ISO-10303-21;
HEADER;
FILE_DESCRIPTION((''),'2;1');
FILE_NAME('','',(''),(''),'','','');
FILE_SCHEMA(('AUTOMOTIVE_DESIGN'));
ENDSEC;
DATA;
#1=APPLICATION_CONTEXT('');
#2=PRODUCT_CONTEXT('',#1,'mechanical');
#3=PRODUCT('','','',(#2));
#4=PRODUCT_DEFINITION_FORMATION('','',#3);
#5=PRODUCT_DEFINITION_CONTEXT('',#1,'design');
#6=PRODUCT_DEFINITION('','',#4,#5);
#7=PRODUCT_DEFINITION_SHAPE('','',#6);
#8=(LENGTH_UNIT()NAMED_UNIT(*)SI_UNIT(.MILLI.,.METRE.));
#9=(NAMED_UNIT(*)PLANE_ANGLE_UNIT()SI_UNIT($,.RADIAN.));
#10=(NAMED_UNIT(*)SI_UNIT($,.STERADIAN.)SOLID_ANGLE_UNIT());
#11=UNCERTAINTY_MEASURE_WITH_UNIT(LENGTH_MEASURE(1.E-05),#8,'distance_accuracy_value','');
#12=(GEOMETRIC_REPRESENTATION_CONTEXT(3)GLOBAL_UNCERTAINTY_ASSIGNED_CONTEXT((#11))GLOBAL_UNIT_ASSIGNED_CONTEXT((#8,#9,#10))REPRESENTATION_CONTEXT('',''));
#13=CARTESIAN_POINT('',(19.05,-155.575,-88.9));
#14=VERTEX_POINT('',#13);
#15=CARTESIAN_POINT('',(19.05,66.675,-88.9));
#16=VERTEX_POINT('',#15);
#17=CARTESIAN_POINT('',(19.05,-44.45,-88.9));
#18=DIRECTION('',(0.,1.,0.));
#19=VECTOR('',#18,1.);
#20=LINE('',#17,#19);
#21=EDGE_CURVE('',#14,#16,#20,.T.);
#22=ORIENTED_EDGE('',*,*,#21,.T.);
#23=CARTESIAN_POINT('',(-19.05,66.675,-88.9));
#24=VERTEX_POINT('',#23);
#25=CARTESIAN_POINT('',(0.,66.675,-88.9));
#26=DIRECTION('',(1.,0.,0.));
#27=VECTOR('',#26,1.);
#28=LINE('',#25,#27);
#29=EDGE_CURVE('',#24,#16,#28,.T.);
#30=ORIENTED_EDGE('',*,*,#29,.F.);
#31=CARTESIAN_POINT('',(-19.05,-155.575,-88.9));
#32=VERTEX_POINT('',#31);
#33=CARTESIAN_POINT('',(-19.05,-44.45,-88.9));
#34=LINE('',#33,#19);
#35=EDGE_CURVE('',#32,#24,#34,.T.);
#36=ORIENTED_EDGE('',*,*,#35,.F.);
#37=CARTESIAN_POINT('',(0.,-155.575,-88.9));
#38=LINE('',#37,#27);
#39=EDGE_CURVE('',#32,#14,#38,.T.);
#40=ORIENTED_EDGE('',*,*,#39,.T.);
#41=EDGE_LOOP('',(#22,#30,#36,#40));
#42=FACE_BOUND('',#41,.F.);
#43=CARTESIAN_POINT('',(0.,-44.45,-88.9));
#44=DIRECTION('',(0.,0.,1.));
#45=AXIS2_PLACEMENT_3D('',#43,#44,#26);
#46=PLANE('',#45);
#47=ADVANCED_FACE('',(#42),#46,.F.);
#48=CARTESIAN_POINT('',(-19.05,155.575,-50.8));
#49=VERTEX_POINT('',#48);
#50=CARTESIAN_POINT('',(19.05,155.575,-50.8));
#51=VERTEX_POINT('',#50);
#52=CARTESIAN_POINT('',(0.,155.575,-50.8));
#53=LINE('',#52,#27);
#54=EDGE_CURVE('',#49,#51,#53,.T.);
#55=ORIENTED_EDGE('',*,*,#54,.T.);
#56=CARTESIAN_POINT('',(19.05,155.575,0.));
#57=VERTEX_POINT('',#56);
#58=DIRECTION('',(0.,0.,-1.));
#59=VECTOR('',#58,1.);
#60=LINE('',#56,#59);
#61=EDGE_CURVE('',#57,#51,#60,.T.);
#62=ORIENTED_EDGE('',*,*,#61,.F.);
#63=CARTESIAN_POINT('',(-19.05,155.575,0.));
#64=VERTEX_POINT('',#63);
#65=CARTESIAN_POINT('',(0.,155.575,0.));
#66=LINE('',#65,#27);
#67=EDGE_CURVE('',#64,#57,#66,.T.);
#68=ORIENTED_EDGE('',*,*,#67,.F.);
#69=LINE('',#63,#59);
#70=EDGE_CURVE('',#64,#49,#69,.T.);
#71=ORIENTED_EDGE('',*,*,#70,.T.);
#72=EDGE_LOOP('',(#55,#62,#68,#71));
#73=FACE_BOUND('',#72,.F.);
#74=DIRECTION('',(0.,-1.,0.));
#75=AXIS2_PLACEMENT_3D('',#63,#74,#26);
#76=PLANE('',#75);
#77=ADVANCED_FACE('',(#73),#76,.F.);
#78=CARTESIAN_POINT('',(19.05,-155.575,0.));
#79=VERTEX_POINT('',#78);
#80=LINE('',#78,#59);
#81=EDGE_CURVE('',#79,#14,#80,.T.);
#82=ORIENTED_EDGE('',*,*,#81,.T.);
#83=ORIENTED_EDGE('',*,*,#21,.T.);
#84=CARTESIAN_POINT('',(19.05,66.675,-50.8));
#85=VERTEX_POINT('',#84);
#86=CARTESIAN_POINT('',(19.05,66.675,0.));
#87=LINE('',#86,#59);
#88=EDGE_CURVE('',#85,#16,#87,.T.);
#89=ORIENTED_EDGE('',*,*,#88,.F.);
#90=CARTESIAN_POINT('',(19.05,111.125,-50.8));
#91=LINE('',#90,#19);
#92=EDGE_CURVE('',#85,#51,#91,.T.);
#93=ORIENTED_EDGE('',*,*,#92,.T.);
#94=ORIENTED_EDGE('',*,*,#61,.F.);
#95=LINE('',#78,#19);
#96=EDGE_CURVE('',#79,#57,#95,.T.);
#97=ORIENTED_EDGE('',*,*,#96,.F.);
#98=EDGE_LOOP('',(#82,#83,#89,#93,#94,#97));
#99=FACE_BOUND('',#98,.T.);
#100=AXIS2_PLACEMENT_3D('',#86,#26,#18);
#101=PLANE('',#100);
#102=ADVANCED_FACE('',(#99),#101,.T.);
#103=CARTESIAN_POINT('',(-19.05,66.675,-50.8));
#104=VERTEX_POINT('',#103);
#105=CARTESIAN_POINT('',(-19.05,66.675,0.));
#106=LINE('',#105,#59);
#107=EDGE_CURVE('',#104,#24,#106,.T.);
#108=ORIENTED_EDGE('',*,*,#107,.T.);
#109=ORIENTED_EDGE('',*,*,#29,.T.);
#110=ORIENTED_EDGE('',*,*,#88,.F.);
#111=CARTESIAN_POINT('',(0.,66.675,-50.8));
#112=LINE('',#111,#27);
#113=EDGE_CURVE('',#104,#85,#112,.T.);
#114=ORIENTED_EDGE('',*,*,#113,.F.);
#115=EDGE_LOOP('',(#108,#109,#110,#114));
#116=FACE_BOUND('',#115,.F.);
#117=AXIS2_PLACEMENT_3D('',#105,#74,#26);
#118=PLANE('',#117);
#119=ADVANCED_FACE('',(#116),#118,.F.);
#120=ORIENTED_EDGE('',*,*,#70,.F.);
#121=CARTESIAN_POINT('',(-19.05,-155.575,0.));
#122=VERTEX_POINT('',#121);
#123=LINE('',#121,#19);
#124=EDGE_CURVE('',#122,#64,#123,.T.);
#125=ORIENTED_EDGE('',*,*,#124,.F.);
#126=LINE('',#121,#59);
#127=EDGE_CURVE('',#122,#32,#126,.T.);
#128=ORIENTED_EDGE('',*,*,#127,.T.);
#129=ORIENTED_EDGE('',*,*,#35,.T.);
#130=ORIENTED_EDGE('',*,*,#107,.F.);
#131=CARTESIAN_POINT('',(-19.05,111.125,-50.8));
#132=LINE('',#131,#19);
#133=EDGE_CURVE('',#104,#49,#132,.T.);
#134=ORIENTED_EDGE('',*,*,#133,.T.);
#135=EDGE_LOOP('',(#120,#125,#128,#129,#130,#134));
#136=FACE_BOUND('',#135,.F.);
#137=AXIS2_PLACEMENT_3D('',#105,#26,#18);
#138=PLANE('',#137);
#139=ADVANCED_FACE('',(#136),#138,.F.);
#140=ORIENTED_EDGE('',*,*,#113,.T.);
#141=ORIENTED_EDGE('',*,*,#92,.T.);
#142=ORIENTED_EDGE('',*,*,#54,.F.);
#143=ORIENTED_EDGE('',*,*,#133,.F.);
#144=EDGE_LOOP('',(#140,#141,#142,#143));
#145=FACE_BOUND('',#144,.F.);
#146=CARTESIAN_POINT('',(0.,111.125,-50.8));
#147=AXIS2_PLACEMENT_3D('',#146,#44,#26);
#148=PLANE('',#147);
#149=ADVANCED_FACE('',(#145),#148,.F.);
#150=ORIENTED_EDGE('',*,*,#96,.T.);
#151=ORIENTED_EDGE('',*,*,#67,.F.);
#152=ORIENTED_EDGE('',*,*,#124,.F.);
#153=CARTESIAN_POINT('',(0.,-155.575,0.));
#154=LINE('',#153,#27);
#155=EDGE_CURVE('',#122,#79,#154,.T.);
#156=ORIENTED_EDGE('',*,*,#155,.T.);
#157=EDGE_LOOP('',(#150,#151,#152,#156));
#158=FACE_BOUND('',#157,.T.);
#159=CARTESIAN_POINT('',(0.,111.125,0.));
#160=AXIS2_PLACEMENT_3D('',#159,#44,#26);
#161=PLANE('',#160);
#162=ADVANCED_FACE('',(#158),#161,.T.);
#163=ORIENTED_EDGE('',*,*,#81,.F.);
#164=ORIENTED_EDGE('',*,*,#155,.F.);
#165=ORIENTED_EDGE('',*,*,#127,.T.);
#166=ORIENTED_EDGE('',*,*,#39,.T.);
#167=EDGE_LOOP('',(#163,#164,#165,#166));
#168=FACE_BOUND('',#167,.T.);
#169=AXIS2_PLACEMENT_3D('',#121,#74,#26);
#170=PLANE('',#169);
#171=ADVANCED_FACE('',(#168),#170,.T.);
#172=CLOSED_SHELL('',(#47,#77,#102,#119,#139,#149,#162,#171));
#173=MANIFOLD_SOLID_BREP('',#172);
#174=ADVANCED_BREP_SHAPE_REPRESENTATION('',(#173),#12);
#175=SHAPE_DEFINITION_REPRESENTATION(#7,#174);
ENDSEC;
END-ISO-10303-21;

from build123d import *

# Parameters (mm, degrees)
F0_W     = 38.1
F0_H     = 222.25
F1_DEPTH = 88.9
F0_H_2   = 88.9
F2_DEPTH = 50.8


with BuildPart() as f1:
    # F0 (on Top) → F1 (new body)
    with BuildSketch(Plane.XY):
        with Locations((0, -44.45)):
            Rectangle(F0_W, F0_H)
    extrude(amount=-F1_DEPTH)

    # F0 (on Top) → F2 (join)
    with BuildSketch(Plane.XY):
        with Locations((0, 111.125)):
            Rectangle(F0_W, F0_H_2)
    extrude(amount=-F2_DEPTH)


solid = f1.part
